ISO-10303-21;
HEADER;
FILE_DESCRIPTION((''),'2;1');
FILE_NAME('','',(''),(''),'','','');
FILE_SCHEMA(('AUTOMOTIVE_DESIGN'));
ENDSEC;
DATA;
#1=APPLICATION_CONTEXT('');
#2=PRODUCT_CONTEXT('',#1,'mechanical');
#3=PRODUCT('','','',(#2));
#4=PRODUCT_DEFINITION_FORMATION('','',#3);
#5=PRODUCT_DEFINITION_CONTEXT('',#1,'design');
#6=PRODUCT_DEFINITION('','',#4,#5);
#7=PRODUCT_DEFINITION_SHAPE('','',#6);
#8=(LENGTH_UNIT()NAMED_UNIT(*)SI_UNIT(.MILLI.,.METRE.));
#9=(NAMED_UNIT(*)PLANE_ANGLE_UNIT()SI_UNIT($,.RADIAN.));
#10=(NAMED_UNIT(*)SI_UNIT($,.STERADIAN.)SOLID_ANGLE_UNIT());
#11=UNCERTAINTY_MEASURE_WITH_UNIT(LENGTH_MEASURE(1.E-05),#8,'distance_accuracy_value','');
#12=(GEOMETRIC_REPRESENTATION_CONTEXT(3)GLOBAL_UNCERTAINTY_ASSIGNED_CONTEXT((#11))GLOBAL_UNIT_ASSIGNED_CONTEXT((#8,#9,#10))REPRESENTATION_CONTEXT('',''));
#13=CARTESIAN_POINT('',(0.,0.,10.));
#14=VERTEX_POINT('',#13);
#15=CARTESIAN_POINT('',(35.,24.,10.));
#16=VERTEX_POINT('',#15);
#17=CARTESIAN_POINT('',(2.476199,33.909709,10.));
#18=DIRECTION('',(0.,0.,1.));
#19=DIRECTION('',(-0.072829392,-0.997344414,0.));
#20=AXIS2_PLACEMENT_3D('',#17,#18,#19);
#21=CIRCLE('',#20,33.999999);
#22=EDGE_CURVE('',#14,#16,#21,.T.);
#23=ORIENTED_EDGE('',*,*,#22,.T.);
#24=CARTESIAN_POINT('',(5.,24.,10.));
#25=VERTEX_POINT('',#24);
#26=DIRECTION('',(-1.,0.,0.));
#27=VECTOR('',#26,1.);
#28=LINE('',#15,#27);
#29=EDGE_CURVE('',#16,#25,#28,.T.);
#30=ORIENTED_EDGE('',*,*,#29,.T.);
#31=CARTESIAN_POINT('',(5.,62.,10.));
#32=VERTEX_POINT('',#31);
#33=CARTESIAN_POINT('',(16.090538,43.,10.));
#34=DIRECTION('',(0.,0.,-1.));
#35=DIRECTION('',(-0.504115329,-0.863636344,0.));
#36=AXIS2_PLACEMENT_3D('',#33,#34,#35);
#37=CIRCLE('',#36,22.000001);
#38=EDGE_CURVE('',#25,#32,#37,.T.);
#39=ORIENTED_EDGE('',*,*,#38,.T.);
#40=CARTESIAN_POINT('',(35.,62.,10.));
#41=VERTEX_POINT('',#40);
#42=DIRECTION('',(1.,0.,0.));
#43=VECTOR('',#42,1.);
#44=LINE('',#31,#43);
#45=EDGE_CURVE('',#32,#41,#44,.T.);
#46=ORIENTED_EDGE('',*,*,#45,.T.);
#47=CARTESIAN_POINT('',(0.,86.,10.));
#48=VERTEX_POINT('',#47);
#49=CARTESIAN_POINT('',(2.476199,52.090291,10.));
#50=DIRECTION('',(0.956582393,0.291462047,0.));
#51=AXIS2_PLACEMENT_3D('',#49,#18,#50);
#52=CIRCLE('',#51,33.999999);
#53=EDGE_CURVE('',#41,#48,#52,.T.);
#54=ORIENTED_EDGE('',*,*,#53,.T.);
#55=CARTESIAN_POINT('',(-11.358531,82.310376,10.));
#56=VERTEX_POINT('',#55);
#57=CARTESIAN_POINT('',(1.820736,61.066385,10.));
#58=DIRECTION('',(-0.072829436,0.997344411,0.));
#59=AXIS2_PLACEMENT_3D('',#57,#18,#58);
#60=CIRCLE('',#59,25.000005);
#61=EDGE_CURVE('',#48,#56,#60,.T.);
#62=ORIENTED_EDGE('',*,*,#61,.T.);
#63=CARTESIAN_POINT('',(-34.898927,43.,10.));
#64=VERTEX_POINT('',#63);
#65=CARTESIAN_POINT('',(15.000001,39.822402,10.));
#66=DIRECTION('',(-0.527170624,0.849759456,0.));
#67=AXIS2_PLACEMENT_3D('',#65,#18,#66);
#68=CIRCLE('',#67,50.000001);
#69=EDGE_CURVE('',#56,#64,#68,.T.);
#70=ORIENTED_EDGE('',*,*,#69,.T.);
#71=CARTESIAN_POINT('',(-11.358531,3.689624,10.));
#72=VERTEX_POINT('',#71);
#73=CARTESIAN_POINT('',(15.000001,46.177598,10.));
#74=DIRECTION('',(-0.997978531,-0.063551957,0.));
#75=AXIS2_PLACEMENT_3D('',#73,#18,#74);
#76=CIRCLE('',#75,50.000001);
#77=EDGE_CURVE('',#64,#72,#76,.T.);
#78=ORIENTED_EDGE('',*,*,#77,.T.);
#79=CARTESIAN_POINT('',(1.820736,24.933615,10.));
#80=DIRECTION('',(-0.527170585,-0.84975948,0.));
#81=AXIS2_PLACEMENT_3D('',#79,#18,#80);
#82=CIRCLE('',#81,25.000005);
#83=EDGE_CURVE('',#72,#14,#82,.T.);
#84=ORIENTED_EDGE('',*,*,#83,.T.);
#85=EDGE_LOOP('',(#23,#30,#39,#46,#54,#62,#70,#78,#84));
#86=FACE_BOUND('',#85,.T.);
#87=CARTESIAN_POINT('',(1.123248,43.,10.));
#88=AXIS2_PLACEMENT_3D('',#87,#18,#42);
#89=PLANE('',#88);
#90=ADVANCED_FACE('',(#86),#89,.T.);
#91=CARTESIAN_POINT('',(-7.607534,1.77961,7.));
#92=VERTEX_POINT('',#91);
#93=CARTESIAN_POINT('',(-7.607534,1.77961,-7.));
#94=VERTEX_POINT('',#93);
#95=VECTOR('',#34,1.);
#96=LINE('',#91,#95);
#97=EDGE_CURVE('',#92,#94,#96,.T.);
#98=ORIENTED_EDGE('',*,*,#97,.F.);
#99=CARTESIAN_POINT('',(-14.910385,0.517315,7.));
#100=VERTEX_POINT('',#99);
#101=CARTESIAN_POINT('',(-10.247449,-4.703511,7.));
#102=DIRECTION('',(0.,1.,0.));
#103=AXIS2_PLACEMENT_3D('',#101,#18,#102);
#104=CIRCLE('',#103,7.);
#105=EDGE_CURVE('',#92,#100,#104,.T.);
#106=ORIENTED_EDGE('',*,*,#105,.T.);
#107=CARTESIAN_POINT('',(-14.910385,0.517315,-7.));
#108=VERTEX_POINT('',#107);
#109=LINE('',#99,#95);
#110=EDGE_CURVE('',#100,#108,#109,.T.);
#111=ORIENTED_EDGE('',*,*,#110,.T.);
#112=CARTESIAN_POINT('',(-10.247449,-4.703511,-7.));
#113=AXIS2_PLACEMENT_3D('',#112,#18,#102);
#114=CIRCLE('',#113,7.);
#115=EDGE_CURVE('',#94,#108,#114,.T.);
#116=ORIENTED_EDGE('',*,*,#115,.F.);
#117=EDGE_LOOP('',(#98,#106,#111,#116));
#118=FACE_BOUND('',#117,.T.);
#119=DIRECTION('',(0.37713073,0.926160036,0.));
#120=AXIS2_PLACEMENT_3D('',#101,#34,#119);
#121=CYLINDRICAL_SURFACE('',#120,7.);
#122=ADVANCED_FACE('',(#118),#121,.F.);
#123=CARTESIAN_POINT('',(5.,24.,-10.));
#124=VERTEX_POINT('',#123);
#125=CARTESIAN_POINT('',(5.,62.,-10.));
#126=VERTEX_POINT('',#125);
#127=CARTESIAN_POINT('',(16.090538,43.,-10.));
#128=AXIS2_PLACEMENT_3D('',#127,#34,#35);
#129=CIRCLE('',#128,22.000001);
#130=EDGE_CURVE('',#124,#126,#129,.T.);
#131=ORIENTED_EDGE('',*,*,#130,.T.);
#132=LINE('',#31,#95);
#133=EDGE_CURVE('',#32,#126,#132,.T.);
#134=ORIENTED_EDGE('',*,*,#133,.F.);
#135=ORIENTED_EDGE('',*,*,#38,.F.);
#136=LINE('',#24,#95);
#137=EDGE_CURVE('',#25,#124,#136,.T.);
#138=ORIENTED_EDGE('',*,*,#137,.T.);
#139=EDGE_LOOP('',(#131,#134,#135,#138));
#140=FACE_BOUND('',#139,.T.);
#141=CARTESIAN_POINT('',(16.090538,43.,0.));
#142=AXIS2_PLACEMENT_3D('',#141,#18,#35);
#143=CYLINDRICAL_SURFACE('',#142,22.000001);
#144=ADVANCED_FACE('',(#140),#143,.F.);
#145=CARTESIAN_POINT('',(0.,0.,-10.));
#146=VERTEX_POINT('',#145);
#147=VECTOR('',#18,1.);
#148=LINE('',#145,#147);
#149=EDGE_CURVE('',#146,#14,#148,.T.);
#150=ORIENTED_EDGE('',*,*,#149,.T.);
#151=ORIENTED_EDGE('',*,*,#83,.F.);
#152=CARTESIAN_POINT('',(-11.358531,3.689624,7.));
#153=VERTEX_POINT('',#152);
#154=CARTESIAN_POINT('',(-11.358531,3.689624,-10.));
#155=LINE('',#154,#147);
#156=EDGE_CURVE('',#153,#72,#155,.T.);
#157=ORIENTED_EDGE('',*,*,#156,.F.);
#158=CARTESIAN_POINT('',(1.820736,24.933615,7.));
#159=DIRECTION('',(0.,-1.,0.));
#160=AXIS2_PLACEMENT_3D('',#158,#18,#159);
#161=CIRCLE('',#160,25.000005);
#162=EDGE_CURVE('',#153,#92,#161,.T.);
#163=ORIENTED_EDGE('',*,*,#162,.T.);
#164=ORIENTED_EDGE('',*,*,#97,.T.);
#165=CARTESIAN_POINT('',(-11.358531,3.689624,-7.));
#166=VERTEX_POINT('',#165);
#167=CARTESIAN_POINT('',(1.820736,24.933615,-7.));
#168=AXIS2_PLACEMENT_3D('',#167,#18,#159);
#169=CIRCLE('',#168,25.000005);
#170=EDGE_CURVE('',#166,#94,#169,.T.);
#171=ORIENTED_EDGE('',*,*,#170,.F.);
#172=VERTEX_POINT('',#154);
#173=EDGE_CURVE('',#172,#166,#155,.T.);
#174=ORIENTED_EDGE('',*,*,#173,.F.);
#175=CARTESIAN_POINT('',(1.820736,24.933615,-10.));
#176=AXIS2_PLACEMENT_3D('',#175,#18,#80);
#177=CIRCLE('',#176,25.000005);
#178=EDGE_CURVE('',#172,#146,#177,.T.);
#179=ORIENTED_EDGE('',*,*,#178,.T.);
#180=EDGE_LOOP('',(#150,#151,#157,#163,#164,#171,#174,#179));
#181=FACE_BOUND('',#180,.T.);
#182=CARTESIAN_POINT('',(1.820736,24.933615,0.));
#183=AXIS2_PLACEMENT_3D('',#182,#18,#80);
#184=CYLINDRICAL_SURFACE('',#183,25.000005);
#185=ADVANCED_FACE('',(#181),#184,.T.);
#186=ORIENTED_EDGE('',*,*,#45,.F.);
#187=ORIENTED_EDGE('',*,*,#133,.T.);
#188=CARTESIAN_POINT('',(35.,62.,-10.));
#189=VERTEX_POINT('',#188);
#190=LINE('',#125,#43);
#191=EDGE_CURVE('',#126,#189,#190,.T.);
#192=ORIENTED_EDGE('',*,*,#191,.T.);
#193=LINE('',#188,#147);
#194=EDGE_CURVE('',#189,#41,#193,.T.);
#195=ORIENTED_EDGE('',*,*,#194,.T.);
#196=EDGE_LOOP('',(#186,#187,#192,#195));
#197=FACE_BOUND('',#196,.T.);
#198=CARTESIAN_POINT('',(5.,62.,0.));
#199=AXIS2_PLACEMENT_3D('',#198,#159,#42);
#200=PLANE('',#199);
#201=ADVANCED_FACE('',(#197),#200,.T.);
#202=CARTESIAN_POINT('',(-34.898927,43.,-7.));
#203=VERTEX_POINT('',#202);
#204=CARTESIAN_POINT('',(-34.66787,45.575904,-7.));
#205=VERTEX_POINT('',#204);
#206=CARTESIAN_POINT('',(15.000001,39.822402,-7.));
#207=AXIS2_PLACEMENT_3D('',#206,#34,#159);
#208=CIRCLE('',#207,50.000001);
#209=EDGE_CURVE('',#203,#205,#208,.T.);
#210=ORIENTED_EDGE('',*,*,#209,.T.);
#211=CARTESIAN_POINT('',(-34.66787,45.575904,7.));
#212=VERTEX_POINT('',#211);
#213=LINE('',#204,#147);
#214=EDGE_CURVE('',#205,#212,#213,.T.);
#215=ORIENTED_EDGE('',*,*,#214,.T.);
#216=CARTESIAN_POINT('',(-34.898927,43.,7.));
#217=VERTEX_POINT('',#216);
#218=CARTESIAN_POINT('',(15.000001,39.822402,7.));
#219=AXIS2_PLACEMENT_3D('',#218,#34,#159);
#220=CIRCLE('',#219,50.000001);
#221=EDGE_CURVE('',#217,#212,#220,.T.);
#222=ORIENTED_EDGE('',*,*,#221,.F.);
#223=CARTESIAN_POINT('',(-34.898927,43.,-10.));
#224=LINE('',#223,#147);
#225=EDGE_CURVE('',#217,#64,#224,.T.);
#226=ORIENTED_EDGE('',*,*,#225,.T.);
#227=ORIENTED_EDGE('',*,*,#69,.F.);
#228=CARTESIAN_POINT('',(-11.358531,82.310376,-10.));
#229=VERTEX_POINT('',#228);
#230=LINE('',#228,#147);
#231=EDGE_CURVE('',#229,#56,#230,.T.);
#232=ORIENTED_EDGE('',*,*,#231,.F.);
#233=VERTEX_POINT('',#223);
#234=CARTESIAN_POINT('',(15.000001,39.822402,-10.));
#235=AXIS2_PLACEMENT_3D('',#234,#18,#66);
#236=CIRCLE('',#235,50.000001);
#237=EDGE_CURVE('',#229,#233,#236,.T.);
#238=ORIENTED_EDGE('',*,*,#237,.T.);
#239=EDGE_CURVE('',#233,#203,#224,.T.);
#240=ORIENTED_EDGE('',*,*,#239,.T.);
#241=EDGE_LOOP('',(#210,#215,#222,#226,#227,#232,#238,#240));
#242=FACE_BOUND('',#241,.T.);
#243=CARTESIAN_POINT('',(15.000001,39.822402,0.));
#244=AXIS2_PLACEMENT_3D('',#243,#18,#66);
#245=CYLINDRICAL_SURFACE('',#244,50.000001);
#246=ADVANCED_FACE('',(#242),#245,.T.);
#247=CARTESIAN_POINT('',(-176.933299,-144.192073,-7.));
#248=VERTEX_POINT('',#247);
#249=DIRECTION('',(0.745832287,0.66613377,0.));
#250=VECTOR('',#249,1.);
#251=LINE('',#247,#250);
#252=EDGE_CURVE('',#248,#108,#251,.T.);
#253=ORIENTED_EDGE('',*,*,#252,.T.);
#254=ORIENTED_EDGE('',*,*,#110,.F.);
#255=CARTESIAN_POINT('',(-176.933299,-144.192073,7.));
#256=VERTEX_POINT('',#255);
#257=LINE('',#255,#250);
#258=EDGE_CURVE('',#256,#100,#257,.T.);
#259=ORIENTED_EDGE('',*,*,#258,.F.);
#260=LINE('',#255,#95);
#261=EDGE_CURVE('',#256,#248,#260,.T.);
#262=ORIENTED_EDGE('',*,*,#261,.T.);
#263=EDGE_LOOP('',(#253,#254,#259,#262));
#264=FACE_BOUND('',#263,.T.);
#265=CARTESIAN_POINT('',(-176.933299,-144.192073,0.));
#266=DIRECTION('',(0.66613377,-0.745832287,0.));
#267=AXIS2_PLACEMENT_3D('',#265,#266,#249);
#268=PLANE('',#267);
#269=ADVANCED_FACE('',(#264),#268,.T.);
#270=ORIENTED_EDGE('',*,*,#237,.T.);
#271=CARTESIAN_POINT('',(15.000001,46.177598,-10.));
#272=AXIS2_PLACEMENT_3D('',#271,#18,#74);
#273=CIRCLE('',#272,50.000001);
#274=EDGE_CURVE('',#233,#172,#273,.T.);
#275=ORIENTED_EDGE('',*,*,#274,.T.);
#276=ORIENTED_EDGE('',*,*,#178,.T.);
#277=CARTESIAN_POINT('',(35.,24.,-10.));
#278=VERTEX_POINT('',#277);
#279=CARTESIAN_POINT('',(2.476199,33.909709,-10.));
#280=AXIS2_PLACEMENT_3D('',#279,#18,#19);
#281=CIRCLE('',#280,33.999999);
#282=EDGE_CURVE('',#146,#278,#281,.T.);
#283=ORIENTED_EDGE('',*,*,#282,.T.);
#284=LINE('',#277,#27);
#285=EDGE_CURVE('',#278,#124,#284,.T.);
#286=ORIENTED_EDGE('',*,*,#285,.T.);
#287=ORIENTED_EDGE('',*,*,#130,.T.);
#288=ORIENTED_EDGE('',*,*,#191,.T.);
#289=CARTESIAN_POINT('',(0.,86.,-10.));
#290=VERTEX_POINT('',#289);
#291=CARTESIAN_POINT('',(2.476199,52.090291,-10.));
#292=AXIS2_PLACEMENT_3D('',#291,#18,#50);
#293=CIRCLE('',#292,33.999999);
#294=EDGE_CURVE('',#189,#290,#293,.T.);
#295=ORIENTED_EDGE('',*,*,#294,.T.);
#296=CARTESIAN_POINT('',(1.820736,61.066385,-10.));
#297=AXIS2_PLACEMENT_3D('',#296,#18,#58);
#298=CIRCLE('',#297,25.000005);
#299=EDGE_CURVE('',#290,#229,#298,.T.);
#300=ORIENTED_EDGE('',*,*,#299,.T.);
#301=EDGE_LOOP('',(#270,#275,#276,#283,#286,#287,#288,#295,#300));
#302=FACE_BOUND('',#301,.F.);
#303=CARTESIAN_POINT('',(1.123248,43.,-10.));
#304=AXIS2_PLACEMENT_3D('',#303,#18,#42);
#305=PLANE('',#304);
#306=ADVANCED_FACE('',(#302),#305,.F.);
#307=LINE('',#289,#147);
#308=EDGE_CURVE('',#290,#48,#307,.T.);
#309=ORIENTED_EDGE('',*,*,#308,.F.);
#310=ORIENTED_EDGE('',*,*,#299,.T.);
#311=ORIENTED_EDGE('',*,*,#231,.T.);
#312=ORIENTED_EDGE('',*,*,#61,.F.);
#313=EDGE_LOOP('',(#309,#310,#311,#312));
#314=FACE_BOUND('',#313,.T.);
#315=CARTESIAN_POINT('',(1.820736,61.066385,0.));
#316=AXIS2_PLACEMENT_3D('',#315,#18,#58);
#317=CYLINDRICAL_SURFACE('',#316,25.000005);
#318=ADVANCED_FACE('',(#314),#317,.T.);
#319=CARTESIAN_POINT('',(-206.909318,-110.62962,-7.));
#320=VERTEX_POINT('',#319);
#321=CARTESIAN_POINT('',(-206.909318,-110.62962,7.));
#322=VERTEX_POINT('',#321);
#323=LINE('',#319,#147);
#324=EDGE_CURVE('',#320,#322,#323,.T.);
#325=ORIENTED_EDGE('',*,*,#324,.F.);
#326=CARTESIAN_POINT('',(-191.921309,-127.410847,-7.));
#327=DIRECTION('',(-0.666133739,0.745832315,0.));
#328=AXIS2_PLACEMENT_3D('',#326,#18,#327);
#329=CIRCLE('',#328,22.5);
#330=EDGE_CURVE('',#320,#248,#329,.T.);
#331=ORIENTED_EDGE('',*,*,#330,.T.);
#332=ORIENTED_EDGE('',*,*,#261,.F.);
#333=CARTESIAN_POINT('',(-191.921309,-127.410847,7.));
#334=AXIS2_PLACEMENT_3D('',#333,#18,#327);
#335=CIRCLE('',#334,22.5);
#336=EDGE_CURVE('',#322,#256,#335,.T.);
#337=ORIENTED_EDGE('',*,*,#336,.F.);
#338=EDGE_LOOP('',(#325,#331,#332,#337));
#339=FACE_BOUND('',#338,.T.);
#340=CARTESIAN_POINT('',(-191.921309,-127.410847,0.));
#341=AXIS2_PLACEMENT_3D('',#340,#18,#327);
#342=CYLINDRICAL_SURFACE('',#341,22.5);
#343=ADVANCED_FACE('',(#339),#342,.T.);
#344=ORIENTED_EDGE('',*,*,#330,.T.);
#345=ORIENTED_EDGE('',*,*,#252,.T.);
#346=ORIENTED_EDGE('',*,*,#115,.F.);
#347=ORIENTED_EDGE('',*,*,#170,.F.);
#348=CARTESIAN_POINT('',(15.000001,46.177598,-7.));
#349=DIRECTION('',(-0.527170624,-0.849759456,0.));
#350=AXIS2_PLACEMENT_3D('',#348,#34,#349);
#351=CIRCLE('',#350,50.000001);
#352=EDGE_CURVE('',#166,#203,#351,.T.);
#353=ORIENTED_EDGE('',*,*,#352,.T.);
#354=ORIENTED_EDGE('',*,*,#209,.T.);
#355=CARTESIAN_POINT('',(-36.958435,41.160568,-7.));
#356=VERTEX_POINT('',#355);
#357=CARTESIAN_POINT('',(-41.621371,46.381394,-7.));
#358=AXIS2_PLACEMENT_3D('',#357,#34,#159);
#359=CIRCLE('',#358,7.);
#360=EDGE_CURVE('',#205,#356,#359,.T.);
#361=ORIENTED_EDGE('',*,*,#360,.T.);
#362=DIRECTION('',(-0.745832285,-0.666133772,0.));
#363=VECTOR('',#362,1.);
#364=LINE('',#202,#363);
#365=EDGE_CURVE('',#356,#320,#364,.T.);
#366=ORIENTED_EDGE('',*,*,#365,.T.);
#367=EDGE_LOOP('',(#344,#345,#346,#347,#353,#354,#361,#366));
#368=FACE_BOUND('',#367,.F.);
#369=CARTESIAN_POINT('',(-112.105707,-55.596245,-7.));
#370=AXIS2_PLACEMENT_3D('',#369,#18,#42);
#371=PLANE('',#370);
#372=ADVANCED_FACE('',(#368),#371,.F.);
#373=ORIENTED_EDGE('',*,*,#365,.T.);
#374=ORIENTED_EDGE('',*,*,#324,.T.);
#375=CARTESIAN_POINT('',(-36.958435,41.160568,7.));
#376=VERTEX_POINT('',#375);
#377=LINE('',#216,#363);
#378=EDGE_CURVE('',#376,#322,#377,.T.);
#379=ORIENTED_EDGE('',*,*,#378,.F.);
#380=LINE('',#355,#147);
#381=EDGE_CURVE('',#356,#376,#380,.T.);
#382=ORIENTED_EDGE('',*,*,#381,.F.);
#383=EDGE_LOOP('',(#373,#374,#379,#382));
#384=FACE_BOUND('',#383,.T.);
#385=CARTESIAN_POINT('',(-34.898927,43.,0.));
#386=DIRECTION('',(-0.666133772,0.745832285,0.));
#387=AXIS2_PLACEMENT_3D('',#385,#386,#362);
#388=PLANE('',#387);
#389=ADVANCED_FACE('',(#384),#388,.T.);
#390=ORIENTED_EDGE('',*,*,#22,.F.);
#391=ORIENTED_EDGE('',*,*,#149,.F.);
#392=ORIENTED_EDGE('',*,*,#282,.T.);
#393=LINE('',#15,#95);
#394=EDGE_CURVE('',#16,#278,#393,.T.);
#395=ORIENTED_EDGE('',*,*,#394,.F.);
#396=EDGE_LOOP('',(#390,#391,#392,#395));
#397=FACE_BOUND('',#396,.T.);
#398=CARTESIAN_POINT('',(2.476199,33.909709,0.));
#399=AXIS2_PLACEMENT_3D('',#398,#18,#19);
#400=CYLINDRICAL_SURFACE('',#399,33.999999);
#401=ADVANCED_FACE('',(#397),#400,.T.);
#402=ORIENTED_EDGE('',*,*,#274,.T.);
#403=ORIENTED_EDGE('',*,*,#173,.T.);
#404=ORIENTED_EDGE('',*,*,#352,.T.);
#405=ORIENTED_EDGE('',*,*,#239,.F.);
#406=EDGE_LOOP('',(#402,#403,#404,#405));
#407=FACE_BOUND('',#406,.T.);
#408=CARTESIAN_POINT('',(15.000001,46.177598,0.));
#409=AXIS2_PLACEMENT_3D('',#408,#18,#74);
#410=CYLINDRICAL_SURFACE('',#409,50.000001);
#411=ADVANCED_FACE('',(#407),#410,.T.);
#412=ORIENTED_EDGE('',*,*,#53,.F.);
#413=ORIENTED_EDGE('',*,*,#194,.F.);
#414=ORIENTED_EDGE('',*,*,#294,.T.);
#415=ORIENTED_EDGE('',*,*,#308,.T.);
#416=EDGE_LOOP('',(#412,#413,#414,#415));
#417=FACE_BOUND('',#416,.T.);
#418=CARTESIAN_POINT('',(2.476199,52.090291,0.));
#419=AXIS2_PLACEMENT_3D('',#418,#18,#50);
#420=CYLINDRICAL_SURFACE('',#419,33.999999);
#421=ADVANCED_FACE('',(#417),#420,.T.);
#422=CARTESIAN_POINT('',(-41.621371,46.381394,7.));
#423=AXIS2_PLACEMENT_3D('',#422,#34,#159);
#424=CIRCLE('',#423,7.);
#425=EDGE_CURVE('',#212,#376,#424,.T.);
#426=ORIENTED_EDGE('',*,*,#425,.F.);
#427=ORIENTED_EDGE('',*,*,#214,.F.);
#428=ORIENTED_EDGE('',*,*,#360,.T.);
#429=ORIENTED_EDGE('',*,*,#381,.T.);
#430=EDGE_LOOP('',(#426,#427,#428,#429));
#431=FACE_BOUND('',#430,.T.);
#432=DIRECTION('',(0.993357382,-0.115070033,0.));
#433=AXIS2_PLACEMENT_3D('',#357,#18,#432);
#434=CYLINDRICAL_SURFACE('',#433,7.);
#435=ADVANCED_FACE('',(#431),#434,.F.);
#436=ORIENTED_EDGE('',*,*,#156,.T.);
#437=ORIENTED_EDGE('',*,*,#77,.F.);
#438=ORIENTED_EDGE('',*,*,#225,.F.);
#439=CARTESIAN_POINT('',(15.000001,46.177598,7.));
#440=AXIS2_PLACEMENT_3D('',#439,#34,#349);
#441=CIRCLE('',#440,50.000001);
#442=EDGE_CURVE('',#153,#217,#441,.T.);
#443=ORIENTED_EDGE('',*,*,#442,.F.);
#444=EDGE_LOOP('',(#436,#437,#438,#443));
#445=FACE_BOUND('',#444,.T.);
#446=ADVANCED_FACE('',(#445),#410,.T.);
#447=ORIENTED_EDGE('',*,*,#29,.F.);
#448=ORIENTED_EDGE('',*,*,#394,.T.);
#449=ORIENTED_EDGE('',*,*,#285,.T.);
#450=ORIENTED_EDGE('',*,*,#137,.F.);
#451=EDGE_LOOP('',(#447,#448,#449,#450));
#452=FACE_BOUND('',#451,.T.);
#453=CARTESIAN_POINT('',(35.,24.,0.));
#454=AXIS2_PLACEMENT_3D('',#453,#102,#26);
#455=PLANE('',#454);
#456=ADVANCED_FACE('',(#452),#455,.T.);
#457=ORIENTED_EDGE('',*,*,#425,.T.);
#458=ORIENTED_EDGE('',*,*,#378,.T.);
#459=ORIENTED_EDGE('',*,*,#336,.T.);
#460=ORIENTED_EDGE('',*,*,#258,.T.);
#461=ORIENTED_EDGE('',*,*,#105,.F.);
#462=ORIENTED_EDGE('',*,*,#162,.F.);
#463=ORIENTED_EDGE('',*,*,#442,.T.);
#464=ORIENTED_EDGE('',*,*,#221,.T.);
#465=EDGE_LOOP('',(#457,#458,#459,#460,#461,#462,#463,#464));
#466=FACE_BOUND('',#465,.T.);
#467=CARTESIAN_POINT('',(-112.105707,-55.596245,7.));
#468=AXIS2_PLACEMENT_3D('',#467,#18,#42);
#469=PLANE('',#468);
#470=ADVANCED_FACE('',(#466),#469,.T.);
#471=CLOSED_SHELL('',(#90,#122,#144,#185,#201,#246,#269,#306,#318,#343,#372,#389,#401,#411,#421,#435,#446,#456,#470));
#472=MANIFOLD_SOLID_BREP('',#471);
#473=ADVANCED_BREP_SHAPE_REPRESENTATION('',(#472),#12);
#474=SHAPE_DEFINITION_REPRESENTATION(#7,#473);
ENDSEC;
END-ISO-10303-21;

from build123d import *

# Parameters (mm, degrees)
F1_DEPTH = 7
F2_DEPTH = 10
F3_R     = 7


with BuildPart() as f1:
    # F0 (on Top) → F1 (new body, symmetric)
    with BuildSketch(Plane.XY):
        with BuildLine():
            ThreePointArc((-11.358531, 3.689624), (-27.896694, 20.489591), (-34.898927, 43))
            Line((-34.898927, 43), (-206.909318, -110.62962))
            ThreePointArc((-206.909318, -110.62962), (-208.702535, -142.398857), (-176.933299, -144.192073))
            Line((-176.933299, -144.192073), (-11.358531, 3.689624))
        make_face()
    extrude(amount=F1_DEPTH, both=True)

    # F0 (on Top) → F2 (join, symmetric)
    with BuildSketch(Plane.XY):
        with BuildLine():
            Line((5, 62), (35, 62))
            ThreePointArc((35, 62), (21.704163, 80.131071), (0, 86))
            ThreePointArc((0, 86), (-5.902823, 84.843409), (-11.358531, 82.310376))
            ThreePointArc((-11.358531, 82.310376), (-27.896694, 65.510409), (-34.898927, 43))
            ThreePointArc((-34.898927, 43), (-27.896694, 20.489591), (-11.358531, 3.689624))
            ThreePointArc((-11.358531, 3.689624), (-5.902823, 1.156591), (0, 0))
            ThreePointArc((0, 0), (21.704163, 5.868929), (35, 24))
            Line((35, 24), (5, 24))
            ThreePointArc((5, 24), (-5.909463, 43), (5, 62))
        make_face()
    extrude(amount=F2_DEPTH, both=True)

    # F3
    f3_edges = [f1.edges().sort_by_distance(p)[0] for p in [
        (-34.898927, 43, 0),
        (-11.358531, 3.689624, 0),
    ]]
    fillet(f3_edges, radius=F3_R)


solid = f1.part
